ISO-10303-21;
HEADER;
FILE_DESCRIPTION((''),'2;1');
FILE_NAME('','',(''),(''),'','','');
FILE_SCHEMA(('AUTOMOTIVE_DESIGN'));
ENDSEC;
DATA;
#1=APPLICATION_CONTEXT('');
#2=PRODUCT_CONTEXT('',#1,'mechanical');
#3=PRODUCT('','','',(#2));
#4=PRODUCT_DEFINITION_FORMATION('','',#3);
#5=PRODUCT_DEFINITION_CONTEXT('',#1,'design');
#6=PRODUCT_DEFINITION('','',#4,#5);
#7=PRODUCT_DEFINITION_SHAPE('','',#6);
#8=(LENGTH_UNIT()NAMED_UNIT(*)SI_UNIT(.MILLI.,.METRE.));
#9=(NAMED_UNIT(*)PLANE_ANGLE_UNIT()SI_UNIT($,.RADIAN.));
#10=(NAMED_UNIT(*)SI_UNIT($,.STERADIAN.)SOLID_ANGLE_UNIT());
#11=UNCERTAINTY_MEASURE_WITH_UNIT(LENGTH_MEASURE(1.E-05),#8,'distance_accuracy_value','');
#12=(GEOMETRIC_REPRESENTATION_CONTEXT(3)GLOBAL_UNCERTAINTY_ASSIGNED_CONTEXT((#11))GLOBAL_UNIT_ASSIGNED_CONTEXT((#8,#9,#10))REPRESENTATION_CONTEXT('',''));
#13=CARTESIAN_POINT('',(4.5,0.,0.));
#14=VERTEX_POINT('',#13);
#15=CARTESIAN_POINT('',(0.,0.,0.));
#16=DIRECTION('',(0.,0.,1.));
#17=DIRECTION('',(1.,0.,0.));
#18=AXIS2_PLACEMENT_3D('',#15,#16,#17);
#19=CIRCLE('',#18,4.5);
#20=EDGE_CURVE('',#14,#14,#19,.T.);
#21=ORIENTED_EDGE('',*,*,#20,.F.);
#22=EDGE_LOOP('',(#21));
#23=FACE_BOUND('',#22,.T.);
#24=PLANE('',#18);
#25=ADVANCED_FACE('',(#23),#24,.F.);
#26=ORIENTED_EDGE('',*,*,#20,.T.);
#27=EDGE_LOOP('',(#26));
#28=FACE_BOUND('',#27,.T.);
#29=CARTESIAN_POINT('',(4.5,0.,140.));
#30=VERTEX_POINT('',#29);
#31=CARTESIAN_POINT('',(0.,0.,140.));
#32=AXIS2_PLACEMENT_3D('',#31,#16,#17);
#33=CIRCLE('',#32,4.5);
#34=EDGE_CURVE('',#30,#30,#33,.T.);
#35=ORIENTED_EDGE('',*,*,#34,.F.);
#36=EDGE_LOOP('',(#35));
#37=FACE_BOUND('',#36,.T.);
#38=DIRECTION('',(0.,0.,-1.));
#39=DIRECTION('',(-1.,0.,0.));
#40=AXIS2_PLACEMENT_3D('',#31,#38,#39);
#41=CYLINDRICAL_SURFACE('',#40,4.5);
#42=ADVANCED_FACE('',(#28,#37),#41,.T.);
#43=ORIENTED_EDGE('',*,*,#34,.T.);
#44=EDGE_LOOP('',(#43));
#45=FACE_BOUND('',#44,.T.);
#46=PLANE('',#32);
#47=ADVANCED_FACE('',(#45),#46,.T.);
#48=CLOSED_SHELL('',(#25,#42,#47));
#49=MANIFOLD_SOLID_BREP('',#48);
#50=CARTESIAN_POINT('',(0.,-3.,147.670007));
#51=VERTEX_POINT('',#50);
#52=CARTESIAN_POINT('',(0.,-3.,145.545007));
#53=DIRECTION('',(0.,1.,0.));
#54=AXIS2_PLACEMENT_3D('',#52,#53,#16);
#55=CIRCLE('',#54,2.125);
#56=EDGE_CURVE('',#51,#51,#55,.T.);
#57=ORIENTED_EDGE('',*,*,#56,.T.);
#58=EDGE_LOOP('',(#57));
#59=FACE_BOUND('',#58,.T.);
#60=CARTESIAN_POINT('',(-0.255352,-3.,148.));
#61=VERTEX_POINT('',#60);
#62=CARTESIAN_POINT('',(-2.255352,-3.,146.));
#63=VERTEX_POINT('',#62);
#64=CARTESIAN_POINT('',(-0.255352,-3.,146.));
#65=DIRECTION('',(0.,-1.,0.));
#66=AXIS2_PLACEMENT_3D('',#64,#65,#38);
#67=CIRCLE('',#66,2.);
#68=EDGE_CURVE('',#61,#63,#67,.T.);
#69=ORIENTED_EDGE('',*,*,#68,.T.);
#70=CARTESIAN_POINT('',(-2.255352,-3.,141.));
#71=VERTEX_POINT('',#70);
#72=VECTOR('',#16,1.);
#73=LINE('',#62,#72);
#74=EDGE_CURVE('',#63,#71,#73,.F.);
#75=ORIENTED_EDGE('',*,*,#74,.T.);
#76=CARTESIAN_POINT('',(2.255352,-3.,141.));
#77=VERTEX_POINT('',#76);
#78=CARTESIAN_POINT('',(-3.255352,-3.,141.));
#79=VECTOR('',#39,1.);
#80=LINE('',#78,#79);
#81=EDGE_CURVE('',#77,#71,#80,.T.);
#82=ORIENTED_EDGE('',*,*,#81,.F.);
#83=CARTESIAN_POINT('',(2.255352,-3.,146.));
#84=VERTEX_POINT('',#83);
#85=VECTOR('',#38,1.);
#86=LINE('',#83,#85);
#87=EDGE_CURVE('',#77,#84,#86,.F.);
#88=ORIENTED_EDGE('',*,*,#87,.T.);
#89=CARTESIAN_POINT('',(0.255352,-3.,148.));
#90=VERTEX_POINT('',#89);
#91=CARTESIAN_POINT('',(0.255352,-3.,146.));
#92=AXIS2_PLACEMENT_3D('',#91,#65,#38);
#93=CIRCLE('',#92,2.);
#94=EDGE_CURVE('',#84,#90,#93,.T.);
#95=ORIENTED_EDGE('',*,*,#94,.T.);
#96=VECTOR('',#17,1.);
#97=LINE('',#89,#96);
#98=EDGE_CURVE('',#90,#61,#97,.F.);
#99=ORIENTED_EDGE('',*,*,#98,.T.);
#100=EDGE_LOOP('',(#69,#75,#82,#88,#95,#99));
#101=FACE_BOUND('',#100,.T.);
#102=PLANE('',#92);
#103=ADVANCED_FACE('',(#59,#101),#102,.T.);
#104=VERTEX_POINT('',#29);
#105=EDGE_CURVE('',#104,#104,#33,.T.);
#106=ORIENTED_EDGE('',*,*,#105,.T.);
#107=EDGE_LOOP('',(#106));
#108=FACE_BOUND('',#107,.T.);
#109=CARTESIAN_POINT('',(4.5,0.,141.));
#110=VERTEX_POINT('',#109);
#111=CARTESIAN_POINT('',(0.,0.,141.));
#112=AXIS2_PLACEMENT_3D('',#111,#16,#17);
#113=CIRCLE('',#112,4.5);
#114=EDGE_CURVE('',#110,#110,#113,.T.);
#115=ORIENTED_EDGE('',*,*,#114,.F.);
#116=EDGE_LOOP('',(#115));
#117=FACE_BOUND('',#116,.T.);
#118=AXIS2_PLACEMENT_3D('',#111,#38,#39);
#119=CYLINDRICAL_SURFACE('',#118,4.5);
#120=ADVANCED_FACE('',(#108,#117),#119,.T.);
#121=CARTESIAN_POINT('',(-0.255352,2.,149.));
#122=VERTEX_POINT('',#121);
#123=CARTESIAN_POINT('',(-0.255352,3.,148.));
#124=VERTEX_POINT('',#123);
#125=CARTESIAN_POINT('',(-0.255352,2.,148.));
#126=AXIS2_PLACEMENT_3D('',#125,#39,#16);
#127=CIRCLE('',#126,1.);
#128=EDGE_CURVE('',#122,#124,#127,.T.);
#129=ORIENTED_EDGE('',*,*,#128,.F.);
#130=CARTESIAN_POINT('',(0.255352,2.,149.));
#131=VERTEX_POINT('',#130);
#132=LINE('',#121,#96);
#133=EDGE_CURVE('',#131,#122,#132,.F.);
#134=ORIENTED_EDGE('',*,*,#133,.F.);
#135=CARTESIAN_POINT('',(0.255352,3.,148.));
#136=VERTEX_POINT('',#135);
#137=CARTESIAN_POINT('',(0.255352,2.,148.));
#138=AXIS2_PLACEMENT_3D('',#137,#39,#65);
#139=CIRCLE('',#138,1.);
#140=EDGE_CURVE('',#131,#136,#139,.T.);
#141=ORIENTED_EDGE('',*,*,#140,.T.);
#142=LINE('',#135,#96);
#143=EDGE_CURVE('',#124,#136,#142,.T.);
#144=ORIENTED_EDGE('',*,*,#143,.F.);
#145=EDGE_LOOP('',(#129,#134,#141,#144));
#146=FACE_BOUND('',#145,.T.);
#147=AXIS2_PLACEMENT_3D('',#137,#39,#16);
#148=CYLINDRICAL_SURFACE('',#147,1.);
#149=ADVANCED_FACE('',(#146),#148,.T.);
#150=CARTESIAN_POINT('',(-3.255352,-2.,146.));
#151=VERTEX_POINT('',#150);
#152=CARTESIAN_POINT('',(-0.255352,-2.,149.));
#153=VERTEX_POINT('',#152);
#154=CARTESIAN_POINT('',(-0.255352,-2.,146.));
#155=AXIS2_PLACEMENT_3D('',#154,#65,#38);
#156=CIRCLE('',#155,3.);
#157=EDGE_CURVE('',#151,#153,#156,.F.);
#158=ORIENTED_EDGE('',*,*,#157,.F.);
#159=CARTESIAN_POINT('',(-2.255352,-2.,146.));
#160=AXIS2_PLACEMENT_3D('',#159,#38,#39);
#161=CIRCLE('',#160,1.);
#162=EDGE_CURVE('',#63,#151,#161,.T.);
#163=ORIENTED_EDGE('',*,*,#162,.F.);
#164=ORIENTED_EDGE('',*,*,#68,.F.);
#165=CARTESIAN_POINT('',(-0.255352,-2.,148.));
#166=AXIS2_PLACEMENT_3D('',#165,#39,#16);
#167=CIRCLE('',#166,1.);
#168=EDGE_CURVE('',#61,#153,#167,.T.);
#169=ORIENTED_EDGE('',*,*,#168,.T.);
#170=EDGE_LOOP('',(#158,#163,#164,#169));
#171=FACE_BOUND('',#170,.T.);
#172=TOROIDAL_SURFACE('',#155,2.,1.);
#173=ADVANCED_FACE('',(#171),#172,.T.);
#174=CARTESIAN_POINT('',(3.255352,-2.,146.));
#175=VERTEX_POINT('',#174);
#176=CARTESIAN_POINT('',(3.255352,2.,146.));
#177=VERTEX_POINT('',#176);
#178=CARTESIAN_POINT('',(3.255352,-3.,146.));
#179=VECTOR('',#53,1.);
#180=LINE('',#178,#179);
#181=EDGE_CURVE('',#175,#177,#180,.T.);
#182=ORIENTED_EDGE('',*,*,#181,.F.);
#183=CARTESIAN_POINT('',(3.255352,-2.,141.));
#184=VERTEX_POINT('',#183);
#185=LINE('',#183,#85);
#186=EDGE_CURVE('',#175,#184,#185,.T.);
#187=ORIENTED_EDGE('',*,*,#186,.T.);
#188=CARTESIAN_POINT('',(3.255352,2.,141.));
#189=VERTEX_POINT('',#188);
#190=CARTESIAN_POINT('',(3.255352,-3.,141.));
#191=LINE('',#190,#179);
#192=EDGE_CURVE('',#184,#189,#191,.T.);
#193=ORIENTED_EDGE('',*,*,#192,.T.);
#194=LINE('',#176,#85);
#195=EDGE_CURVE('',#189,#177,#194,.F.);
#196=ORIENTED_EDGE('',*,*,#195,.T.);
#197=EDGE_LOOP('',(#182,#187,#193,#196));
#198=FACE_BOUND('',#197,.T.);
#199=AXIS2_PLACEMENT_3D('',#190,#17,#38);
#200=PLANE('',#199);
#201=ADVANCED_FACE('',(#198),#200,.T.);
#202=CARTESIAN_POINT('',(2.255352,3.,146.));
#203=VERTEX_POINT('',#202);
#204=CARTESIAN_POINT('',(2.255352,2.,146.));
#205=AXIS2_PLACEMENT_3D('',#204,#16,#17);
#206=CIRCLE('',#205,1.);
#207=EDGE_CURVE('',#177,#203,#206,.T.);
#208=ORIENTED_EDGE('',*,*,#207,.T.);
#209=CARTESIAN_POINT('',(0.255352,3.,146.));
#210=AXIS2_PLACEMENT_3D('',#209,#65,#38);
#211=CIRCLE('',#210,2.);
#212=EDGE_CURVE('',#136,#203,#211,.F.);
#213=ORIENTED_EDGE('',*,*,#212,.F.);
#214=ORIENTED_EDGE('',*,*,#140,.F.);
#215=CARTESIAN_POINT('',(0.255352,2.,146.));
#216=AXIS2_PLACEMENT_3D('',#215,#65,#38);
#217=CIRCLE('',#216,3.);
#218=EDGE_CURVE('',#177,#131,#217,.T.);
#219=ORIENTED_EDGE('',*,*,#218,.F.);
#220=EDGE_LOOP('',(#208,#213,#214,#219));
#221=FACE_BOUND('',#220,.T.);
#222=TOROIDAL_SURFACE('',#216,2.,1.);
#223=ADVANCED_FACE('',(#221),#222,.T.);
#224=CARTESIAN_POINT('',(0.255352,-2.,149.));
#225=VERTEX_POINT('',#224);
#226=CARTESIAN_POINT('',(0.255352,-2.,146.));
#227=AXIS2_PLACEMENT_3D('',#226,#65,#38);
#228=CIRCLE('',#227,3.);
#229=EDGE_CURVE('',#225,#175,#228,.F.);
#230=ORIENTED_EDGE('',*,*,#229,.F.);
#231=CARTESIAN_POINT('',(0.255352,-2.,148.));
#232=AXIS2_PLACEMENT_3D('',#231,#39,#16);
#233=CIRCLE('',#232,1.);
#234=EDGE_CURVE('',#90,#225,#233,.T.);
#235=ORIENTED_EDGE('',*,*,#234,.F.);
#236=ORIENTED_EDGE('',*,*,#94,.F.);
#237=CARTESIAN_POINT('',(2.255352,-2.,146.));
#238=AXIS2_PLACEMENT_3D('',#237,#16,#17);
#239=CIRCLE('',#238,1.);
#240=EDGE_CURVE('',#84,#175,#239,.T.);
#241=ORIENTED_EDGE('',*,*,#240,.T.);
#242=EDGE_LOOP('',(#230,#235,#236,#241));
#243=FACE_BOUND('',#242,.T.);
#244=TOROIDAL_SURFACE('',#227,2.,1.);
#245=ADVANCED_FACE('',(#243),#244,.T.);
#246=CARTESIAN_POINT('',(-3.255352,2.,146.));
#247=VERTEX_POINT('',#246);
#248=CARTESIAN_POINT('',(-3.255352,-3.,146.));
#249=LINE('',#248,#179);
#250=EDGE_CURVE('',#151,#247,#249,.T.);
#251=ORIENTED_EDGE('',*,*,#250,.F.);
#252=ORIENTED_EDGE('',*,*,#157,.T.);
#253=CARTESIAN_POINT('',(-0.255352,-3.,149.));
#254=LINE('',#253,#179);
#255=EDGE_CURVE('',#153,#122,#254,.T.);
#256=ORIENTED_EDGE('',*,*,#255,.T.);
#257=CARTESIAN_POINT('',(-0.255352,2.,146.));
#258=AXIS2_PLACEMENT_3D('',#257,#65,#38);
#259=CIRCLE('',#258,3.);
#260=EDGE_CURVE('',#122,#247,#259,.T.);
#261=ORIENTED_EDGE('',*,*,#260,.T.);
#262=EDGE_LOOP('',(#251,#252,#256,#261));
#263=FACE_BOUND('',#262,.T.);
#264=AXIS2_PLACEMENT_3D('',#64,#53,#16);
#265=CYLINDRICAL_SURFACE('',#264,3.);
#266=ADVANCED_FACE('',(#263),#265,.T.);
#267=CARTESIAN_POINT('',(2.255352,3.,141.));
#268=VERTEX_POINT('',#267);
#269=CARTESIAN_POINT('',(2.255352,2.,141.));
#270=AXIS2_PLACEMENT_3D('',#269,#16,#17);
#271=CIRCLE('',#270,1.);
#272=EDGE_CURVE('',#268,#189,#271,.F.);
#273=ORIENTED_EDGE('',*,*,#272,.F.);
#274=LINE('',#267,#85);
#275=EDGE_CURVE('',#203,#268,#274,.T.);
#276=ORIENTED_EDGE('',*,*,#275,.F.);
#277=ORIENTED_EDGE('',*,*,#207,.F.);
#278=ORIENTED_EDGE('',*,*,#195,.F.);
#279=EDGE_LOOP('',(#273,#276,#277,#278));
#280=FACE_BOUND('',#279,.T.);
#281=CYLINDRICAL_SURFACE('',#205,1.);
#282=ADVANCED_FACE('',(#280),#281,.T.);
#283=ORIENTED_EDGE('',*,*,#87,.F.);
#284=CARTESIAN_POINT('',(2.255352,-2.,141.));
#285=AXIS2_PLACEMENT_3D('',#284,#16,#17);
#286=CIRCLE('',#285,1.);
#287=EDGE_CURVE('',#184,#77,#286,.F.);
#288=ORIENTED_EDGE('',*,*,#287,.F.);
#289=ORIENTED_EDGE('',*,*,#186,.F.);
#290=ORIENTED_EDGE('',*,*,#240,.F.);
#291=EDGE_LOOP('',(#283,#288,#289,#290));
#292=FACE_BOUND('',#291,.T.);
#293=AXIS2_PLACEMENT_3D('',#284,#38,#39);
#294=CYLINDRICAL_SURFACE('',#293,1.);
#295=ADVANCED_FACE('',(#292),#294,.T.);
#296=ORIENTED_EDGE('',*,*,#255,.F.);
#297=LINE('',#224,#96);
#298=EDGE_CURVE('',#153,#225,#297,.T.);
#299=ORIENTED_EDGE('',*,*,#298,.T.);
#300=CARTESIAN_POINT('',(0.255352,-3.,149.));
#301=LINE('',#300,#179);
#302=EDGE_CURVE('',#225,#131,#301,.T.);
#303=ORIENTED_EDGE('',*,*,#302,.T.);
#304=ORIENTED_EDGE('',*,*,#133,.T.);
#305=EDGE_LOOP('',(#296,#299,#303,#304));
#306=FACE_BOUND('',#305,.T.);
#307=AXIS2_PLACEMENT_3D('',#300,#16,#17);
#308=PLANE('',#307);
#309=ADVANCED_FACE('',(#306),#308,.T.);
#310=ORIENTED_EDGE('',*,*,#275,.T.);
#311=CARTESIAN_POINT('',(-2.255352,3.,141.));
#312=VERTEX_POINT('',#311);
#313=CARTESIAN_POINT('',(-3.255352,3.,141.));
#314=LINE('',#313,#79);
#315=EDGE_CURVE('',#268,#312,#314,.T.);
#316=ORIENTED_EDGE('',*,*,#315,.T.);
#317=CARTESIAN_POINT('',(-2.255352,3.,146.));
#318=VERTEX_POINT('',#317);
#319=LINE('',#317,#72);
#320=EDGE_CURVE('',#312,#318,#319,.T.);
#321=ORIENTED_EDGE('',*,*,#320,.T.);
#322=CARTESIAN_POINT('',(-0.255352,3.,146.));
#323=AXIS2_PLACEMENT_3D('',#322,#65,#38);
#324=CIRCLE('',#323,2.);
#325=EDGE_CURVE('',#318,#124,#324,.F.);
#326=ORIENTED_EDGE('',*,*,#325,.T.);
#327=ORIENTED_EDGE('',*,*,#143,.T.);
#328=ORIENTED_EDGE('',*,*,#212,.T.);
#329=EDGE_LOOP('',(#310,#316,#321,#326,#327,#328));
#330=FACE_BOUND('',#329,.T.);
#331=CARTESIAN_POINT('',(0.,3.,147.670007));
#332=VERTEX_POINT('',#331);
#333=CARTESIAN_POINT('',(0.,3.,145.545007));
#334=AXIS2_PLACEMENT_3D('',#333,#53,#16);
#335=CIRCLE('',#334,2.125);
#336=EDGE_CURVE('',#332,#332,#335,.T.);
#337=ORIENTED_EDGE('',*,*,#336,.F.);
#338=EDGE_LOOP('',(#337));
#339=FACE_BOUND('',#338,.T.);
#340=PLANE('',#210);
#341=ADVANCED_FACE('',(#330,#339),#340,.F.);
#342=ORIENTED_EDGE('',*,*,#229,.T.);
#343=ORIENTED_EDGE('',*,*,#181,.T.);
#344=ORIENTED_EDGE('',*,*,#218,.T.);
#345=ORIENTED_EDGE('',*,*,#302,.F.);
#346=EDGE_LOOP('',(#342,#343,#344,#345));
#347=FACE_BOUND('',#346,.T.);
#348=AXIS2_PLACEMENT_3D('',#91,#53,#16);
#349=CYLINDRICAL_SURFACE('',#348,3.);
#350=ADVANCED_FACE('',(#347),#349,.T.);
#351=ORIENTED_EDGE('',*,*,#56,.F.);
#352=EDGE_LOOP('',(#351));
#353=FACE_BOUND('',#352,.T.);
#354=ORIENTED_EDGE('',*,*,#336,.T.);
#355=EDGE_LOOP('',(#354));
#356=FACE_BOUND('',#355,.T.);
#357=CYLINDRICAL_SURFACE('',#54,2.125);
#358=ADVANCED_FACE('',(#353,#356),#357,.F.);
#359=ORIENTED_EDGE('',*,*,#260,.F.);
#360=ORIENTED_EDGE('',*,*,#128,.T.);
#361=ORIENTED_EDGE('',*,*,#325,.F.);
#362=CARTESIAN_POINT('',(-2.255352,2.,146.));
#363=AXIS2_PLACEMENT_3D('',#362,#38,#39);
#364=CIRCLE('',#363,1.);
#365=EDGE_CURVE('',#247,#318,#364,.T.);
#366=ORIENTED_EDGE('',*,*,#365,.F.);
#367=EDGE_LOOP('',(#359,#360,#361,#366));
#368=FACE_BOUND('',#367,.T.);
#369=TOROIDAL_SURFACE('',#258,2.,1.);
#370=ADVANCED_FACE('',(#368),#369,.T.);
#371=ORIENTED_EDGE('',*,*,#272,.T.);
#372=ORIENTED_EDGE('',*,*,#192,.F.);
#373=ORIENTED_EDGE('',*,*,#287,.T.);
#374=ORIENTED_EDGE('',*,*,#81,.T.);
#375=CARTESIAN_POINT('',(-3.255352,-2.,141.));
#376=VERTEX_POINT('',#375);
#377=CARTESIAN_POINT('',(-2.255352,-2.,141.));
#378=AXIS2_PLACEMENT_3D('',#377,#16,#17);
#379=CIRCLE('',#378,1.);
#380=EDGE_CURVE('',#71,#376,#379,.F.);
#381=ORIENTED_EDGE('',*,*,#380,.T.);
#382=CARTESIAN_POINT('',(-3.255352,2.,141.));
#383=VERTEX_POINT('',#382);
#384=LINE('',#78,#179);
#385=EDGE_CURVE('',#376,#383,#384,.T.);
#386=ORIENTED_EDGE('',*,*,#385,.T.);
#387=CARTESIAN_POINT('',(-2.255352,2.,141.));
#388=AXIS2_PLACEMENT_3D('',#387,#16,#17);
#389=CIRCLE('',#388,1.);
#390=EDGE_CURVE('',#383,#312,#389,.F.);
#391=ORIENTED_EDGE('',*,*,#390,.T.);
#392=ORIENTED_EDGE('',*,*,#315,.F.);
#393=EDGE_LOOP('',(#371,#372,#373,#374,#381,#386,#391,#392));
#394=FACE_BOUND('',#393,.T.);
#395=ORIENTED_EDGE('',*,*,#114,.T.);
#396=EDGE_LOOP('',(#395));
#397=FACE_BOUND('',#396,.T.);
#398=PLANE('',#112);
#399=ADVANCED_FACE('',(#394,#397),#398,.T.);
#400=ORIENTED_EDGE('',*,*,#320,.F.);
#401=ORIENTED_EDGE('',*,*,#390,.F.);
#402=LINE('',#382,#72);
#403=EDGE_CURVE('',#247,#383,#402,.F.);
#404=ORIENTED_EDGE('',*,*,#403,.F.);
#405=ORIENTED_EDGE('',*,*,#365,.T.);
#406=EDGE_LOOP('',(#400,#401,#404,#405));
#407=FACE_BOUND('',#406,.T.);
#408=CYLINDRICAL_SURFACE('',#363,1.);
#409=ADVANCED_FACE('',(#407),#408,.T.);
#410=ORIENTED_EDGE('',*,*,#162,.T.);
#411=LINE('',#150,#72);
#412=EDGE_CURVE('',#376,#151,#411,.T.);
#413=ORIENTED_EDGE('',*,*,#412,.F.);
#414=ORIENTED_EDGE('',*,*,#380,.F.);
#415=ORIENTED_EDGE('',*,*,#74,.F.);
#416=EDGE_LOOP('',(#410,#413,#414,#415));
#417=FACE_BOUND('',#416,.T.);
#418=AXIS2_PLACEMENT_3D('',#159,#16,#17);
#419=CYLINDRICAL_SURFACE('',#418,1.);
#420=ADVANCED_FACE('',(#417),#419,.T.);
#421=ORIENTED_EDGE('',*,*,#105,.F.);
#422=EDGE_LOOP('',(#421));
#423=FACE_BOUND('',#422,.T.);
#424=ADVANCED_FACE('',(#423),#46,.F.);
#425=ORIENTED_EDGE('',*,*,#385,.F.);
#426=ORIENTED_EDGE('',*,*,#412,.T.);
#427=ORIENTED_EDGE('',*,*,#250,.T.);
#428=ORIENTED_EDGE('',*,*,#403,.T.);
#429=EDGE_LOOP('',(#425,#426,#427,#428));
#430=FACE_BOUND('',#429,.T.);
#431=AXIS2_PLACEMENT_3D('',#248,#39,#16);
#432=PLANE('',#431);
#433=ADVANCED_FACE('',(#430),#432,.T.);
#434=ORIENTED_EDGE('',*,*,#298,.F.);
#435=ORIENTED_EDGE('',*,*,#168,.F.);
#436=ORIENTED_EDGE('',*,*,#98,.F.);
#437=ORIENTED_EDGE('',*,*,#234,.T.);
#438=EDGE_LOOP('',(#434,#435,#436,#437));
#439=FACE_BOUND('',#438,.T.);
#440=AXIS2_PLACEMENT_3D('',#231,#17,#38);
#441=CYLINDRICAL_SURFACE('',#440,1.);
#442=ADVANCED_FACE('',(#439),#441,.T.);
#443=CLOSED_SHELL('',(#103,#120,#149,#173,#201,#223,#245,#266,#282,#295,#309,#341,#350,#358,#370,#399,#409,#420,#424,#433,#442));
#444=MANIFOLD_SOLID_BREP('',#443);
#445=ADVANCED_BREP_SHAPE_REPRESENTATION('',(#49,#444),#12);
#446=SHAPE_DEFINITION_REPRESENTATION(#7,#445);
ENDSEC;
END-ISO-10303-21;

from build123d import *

# Parameters (mm, degrees)
SKETCH1_R                = 4.5
ROD_DEPTH                = 140
SKETCH2_R                = 4.5
BOSS_EXTRUDE2_DEPTH      = 1
BOSS_EXTRUDE4_DEPTH      = 3
BOSS_EXTRUDE4_DEPTH_BACK = 3
SKETCH4_R                = 2.125
FILLET2_R                = 1


with BuildPart() as part:
    # Sketch1 → Rod (new body)
    with BuildSketch(Plane.XY):
        Circle(SKETCH1_R)
    extrude(amount=ROD_DEPTH)


with BuildPart() as body_2:
    # Sketch2 → Boss-Extrude2 (new body)
    with BuildSketch(Plane.XY.offset(140)):
        Circle(SKETCH2_R)
    extrude(amount=BOSS_EXTRUDE2_DEPTH)

    # Sketch4 → Boss-Extrude4 (add, two sides: drawn at the far end of the back side and taken through both)
    with BuildSketch(Plane(origin=(0, 0, 0), x_dir=(1, 0, 0), z_dir=(0, 1, 0)).offset(-BOSS_EXTRUDE4_DEPTH_BACK)):
        with BuildLine():
            Line((-3.255351782, -141), (3.255351782, -141))
            Line((3.255351782, -141), (3.255351782, -146))
            ThreePointArc((3.255351782, -146), (2.376672125, -148.121320344), (0.255351782, -149))
            Line((0.255351782, -149), (-0.255351782, -149))
            ThreePointArc((-0.255351782, -149), (-2.376672125, -148.121320344), (-3.255351782, -146))
            Line((-3.255351782, -146), (-3.255351782, -141))
        make_face()
        with Locations((0, -145.54500745)):
            Circle(SKETCH4_R, mode=Mode.SUBTRACT)
    extrude(amount=BOSS_EXTRUDE4_DEPTH + BOSS_EXTRUDE4_DEPTH_BACK)

    # Fillet2
    fillet2_edges = [body_2.edges().sort_by_distance(p)[0] for p in [
        (-3.255351782, -3, 143.5),
        (-2.376672125, -3, 148.121320344),
        (0, -3, 149),
        (3.255351782, -3, 143.5),
        (-3.255351782, 3, 143.5),
        (-2.376672125, 3, 148.121320344),
        (0, 3, 149),
        (3.255351782, 3, 143.5),
        (2.376672125, -3, 148.121320344),
        (2.376672125, 3, 148.121320344),
    ]]
    fillet(fillet2_edges, radius=FILLET2_R)


solid = Compound([part.part, body_2.part])
